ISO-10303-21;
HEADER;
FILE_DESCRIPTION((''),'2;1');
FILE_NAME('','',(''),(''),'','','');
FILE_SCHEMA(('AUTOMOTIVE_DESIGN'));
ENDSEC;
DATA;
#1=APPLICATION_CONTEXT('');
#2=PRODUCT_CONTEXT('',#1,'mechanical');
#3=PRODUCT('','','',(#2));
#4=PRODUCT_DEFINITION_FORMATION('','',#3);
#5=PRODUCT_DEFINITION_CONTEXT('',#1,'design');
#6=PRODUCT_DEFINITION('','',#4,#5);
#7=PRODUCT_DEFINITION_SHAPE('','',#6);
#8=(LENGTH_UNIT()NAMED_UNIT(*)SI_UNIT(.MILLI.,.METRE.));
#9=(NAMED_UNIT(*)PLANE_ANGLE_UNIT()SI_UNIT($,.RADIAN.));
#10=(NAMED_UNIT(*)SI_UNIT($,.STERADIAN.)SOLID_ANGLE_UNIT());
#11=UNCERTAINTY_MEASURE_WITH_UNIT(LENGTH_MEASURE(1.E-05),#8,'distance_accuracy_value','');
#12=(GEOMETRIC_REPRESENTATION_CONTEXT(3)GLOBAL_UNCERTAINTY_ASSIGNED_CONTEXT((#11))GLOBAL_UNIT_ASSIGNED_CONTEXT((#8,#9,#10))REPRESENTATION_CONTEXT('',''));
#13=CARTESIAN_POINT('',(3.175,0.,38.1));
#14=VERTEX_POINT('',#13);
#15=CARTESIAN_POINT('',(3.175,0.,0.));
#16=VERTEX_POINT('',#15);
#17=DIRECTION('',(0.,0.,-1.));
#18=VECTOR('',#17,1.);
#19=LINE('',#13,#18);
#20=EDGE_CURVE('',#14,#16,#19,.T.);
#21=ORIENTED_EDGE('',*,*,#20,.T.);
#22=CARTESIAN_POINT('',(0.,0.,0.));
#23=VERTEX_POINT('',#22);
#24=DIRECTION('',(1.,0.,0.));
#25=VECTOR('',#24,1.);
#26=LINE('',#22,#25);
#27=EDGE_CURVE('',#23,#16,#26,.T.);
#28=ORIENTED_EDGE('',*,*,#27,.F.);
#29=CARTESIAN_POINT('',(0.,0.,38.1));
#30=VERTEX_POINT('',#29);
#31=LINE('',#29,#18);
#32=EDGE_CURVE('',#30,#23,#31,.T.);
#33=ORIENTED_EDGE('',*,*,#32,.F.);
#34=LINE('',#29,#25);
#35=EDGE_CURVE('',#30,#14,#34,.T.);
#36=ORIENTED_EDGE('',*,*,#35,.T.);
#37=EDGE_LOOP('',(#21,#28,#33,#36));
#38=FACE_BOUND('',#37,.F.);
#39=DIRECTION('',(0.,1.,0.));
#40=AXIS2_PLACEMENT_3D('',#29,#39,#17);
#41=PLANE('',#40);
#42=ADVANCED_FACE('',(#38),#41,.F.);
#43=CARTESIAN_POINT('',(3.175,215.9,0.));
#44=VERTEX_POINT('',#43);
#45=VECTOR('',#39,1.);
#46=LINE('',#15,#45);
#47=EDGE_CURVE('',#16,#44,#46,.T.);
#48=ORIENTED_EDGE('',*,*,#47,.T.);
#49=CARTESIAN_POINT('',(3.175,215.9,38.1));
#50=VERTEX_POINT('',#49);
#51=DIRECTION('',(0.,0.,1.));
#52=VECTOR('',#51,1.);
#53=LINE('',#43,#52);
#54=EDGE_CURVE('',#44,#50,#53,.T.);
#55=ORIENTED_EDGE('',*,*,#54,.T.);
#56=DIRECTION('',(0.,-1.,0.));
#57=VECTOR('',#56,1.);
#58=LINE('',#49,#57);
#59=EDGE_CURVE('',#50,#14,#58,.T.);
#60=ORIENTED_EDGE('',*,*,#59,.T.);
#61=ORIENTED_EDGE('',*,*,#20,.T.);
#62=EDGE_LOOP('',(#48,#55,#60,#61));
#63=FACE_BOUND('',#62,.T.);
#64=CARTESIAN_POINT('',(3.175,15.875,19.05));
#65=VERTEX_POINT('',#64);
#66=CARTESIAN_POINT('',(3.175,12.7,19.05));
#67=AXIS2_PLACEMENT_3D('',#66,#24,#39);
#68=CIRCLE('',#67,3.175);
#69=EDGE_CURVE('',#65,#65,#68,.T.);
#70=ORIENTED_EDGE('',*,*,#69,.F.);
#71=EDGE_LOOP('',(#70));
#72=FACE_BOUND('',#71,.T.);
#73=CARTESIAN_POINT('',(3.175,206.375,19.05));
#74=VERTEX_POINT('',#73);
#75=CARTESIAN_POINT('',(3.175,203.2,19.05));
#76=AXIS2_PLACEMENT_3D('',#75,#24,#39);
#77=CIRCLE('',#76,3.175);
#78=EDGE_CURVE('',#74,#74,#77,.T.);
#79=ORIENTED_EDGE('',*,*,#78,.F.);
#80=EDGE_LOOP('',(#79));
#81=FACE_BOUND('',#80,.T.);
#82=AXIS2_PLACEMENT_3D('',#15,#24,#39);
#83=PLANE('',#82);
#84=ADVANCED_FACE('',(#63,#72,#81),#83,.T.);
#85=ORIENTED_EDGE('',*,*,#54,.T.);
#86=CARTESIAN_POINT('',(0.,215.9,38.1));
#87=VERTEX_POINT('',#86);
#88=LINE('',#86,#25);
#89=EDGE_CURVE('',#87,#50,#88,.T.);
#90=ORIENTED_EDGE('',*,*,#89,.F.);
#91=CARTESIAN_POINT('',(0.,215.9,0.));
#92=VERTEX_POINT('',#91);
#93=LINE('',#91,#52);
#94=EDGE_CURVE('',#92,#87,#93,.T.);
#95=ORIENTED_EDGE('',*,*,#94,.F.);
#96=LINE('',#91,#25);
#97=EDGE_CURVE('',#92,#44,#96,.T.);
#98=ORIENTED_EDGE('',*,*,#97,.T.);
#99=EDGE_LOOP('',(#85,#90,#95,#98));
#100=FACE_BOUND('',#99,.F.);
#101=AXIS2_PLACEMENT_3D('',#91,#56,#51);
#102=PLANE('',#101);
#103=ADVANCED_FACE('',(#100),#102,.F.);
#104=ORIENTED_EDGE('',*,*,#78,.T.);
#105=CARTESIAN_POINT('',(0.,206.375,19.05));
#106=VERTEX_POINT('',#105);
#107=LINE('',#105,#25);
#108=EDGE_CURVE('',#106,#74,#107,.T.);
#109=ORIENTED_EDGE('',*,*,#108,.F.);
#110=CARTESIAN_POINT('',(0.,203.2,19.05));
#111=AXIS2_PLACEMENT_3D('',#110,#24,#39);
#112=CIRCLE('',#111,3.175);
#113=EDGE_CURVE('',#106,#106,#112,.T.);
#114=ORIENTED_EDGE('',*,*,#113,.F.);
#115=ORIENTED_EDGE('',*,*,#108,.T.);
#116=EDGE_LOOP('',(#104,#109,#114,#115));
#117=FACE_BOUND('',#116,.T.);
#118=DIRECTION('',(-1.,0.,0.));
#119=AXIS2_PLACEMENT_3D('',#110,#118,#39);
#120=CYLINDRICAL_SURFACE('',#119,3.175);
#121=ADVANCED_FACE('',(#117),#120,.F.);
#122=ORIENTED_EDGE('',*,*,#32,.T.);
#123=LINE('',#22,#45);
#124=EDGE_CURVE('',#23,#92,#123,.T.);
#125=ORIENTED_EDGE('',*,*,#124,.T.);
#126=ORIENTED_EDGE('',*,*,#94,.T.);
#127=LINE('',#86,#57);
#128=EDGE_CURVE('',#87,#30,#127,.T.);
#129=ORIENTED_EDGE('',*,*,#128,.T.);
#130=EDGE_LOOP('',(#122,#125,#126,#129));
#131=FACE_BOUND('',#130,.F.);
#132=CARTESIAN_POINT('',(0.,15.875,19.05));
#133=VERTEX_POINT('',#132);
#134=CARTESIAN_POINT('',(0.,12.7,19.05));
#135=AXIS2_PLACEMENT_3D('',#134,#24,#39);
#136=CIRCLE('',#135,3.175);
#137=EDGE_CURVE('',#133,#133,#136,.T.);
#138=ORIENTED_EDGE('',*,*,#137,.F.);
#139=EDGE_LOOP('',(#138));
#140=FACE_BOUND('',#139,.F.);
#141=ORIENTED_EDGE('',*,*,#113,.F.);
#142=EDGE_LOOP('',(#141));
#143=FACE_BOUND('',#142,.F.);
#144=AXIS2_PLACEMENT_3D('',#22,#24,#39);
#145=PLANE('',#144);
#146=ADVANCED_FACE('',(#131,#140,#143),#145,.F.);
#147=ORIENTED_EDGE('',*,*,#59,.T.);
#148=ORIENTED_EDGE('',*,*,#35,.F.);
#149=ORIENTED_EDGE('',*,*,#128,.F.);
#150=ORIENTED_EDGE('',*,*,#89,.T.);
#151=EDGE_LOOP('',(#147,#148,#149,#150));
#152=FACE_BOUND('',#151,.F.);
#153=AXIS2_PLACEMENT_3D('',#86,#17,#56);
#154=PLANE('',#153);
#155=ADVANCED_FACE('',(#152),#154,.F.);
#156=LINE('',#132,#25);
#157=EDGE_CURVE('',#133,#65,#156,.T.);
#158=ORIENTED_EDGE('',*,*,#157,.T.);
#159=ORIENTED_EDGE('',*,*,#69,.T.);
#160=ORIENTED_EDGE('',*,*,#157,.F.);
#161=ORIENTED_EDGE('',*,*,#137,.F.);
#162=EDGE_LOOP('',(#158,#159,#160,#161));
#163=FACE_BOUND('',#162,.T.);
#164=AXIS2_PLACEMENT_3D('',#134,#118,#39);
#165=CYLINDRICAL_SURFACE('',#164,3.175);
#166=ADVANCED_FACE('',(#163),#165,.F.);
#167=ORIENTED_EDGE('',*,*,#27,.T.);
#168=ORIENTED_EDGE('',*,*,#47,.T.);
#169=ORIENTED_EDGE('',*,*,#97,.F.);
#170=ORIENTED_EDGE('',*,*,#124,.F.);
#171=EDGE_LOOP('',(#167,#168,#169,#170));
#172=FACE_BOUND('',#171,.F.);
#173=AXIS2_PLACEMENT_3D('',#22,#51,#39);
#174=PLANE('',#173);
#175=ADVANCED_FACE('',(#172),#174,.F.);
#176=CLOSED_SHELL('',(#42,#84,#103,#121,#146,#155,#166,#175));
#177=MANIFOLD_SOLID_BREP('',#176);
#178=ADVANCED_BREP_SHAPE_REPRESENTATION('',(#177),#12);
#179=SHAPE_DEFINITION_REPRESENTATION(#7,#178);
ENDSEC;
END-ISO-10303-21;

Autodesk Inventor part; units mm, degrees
ref_plane "YZ Plane" through (0, 0, 0) normal (1, 0, 0) x (0, 1, 0)
ref_plane "XZ Plane" through (0, 0, 0) normal (0, 1, 0) x (-1, 0, 0)
ref_plane "XY Plane" through (0, 0, 0) normal (0, 0, 1) x (1, 0, 0)
sketch "Sketch1" plane through (0, 0, 0) normal (1, 0, 0) x (0, 1, 0)
  line L0 (0, 0) -> (215.9, 0)
  line L1 (215.9, 0) -> (215.9, 38.1)
  line L2 (215.9, 38.1) -> (0, 38.1)
  line L3 (0, 38.1) -> (0, 0)
  circle A0 centre (12.7, 19.05) radius 3.175
  circle A1 centre (203.2, 19.05) radius 3.175
  dimension "d1" = 38.1
  dimension "d2" = 19.05
  dimension "d3" = 12.7
  dimension "d4" = 12.7
  dimension "d5" = 19.05
  dimension "d6" = 6.35
  dimension "d9" = 190.5
extrude "Extrusion1" add sketch "Sketch1" along normal blind 3.175
properties part number "15102898-16-P-0405" material "Polycarbonate, Clear"
